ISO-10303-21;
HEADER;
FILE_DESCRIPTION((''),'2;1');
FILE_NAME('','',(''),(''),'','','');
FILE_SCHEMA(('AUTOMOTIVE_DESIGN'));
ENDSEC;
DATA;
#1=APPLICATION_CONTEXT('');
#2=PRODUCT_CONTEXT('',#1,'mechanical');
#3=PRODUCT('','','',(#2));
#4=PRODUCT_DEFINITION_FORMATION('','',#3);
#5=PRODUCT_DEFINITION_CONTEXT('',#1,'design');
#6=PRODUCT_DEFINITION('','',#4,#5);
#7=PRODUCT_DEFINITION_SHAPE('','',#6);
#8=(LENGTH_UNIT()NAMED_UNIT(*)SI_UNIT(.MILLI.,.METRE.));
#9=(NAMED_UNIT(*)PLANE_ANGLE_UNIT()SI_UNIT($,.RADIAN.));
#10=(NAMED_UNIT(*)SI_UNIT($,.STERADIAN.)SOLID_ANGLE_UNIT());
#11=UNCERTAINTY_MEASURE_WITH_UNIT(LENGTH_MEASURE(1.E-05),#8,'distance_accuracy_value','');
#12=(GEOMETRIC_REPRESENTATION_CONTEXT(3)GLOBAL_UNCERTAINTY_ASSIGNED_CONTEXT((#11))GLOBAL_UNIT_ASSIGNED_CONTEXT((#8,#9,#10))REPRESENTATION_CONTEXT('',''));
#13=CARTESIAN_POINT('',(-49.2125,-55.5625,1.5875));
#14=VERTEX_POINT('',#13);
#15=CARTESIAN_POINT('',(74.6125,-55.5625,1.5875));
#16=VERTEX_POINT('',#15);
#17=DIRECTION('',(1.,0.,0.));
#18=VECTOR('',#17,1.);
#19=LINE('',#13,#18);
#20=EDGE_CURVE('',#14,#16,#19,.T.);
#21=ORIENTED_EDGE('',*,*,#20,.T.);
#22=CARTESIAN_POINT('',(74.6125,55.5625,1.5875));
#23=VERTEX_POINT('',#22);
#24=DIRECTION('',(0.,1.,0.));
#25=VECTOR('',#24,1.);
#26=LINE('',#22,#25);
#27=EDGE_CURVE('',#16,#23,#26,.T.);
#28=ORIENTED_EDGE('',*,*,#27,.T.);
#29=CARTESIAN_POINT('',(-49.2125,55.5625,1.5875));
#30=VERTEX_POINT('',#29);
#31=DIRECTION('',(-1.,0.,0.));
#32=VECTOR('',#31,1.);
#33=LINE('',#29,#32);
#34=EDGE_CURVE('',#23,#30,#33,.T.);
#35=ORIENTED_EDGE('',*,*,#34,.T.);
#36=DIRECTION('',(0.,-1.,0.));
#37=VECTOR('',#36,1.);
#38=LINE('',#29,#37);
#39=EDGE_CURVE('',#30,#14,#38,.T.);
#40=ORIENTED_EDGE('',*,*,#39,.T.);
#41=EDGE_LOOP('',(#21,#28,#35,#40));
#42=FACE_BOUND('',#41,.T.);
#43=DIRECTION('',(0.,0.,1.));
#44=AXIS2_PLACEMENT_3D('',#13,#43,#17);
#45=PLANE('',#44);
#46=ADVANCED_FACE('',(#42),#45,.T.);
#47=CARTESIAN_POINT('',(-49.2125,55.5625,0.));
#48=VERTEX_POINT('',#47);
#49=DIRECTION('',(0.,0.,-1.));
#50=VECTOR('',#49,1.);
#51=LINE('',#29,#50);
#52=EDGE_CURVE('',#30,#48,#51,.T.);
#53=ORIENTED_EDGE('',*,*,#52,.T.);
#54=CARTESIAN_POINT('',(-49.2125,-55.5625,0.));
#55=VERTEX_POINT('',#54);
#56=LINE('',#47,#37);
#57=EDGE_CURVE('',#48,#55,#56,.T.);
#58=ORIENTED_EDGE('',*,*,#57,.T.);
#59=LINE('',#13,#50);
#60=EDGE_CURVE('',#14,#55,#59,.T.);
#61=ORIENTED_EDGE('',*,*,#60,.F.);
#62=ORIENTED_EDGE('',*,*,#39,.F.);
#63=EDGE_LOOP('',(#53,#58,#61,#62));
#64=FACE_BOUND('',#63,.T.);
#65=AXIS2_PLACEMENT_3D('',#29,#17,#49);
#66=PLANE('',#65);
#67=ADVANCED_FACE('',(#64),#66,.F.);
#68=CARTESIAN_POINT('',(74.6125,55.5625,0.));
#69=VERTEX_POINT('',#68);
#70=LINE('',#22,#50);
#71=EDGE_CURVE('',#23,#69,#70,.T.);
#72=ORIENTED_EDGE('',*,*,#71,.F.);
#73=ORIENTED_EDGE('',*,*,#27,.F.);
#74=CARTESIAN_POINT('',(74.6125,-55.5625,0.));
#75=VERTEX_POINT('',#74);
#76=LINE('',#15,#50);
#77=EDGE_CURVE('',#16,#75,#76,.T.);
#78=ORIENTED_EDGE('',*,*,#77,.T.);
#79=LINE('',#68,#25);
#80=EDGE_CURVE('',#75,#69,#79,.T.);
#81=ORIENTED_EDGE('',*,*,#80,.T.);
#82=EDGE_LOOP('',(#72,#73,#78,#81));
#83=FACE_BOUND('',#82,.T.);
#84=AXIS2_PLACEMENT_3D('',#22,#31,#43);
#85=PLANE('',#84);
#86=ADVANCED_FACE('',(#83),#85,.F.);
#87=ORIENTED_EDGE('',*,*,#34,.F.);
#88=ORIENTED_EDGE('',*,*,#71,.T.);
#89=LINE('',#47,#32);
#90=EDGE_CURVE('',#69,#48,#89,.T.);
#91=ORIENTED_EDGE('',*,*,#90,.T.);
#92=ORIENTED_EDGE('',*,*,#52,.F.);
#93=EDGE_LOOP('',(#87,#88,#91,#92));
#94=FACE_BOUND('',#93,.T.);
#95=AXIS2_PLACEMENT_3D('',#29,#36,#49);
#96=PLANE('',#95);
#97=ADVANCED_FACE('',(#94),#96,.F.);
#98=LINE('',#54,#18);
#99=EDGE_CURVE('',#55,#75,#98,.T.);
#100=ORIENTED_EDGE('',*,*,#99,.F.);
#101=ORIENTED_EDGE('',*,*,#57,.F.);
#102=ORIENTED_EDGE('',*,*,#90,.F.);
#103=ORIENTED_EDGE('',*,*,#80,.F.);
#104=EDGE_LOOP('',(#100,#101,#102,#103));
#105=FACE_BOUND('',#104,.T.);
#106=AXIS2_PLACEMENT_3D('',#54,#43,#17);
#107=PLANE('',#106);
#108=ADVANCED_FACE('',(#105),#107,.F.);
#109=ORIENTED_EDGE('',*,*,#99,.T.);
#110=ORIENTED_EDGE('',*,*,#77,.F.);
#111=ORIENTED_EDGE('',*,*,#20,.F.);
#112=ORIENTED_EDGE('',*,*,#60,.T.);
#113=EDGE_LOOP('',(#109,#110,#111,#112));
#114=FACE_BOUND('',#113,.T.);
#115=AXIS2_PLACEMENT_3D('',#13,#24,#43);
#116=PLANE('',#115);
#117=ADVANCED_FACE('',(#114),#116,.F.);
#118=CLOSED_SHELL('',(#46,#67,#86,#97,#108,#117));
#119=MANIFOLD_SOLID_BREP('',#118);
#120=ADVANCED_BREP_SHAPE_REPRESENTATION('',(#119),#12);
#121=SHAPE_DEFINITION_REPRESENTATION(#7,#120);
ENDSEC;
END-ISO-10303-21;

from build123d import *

# Parameters (mm, degrees)
SKETCH1_W      = 123.825
SKETCH1_H      = 111.125
EXTRUDE1_DEPTH = 1.5875


with BuildPart() as part:
    # Sketch1 → Extrude1 (new body)
    with BuildSketch(Plane.XY):
        with Locations((12.7, 0)):
            Rectangle(SKETCH1_W, SKETCH1_H)
    extrude(amount=EXTRUDE1_DEPTH)


solid = part.part
